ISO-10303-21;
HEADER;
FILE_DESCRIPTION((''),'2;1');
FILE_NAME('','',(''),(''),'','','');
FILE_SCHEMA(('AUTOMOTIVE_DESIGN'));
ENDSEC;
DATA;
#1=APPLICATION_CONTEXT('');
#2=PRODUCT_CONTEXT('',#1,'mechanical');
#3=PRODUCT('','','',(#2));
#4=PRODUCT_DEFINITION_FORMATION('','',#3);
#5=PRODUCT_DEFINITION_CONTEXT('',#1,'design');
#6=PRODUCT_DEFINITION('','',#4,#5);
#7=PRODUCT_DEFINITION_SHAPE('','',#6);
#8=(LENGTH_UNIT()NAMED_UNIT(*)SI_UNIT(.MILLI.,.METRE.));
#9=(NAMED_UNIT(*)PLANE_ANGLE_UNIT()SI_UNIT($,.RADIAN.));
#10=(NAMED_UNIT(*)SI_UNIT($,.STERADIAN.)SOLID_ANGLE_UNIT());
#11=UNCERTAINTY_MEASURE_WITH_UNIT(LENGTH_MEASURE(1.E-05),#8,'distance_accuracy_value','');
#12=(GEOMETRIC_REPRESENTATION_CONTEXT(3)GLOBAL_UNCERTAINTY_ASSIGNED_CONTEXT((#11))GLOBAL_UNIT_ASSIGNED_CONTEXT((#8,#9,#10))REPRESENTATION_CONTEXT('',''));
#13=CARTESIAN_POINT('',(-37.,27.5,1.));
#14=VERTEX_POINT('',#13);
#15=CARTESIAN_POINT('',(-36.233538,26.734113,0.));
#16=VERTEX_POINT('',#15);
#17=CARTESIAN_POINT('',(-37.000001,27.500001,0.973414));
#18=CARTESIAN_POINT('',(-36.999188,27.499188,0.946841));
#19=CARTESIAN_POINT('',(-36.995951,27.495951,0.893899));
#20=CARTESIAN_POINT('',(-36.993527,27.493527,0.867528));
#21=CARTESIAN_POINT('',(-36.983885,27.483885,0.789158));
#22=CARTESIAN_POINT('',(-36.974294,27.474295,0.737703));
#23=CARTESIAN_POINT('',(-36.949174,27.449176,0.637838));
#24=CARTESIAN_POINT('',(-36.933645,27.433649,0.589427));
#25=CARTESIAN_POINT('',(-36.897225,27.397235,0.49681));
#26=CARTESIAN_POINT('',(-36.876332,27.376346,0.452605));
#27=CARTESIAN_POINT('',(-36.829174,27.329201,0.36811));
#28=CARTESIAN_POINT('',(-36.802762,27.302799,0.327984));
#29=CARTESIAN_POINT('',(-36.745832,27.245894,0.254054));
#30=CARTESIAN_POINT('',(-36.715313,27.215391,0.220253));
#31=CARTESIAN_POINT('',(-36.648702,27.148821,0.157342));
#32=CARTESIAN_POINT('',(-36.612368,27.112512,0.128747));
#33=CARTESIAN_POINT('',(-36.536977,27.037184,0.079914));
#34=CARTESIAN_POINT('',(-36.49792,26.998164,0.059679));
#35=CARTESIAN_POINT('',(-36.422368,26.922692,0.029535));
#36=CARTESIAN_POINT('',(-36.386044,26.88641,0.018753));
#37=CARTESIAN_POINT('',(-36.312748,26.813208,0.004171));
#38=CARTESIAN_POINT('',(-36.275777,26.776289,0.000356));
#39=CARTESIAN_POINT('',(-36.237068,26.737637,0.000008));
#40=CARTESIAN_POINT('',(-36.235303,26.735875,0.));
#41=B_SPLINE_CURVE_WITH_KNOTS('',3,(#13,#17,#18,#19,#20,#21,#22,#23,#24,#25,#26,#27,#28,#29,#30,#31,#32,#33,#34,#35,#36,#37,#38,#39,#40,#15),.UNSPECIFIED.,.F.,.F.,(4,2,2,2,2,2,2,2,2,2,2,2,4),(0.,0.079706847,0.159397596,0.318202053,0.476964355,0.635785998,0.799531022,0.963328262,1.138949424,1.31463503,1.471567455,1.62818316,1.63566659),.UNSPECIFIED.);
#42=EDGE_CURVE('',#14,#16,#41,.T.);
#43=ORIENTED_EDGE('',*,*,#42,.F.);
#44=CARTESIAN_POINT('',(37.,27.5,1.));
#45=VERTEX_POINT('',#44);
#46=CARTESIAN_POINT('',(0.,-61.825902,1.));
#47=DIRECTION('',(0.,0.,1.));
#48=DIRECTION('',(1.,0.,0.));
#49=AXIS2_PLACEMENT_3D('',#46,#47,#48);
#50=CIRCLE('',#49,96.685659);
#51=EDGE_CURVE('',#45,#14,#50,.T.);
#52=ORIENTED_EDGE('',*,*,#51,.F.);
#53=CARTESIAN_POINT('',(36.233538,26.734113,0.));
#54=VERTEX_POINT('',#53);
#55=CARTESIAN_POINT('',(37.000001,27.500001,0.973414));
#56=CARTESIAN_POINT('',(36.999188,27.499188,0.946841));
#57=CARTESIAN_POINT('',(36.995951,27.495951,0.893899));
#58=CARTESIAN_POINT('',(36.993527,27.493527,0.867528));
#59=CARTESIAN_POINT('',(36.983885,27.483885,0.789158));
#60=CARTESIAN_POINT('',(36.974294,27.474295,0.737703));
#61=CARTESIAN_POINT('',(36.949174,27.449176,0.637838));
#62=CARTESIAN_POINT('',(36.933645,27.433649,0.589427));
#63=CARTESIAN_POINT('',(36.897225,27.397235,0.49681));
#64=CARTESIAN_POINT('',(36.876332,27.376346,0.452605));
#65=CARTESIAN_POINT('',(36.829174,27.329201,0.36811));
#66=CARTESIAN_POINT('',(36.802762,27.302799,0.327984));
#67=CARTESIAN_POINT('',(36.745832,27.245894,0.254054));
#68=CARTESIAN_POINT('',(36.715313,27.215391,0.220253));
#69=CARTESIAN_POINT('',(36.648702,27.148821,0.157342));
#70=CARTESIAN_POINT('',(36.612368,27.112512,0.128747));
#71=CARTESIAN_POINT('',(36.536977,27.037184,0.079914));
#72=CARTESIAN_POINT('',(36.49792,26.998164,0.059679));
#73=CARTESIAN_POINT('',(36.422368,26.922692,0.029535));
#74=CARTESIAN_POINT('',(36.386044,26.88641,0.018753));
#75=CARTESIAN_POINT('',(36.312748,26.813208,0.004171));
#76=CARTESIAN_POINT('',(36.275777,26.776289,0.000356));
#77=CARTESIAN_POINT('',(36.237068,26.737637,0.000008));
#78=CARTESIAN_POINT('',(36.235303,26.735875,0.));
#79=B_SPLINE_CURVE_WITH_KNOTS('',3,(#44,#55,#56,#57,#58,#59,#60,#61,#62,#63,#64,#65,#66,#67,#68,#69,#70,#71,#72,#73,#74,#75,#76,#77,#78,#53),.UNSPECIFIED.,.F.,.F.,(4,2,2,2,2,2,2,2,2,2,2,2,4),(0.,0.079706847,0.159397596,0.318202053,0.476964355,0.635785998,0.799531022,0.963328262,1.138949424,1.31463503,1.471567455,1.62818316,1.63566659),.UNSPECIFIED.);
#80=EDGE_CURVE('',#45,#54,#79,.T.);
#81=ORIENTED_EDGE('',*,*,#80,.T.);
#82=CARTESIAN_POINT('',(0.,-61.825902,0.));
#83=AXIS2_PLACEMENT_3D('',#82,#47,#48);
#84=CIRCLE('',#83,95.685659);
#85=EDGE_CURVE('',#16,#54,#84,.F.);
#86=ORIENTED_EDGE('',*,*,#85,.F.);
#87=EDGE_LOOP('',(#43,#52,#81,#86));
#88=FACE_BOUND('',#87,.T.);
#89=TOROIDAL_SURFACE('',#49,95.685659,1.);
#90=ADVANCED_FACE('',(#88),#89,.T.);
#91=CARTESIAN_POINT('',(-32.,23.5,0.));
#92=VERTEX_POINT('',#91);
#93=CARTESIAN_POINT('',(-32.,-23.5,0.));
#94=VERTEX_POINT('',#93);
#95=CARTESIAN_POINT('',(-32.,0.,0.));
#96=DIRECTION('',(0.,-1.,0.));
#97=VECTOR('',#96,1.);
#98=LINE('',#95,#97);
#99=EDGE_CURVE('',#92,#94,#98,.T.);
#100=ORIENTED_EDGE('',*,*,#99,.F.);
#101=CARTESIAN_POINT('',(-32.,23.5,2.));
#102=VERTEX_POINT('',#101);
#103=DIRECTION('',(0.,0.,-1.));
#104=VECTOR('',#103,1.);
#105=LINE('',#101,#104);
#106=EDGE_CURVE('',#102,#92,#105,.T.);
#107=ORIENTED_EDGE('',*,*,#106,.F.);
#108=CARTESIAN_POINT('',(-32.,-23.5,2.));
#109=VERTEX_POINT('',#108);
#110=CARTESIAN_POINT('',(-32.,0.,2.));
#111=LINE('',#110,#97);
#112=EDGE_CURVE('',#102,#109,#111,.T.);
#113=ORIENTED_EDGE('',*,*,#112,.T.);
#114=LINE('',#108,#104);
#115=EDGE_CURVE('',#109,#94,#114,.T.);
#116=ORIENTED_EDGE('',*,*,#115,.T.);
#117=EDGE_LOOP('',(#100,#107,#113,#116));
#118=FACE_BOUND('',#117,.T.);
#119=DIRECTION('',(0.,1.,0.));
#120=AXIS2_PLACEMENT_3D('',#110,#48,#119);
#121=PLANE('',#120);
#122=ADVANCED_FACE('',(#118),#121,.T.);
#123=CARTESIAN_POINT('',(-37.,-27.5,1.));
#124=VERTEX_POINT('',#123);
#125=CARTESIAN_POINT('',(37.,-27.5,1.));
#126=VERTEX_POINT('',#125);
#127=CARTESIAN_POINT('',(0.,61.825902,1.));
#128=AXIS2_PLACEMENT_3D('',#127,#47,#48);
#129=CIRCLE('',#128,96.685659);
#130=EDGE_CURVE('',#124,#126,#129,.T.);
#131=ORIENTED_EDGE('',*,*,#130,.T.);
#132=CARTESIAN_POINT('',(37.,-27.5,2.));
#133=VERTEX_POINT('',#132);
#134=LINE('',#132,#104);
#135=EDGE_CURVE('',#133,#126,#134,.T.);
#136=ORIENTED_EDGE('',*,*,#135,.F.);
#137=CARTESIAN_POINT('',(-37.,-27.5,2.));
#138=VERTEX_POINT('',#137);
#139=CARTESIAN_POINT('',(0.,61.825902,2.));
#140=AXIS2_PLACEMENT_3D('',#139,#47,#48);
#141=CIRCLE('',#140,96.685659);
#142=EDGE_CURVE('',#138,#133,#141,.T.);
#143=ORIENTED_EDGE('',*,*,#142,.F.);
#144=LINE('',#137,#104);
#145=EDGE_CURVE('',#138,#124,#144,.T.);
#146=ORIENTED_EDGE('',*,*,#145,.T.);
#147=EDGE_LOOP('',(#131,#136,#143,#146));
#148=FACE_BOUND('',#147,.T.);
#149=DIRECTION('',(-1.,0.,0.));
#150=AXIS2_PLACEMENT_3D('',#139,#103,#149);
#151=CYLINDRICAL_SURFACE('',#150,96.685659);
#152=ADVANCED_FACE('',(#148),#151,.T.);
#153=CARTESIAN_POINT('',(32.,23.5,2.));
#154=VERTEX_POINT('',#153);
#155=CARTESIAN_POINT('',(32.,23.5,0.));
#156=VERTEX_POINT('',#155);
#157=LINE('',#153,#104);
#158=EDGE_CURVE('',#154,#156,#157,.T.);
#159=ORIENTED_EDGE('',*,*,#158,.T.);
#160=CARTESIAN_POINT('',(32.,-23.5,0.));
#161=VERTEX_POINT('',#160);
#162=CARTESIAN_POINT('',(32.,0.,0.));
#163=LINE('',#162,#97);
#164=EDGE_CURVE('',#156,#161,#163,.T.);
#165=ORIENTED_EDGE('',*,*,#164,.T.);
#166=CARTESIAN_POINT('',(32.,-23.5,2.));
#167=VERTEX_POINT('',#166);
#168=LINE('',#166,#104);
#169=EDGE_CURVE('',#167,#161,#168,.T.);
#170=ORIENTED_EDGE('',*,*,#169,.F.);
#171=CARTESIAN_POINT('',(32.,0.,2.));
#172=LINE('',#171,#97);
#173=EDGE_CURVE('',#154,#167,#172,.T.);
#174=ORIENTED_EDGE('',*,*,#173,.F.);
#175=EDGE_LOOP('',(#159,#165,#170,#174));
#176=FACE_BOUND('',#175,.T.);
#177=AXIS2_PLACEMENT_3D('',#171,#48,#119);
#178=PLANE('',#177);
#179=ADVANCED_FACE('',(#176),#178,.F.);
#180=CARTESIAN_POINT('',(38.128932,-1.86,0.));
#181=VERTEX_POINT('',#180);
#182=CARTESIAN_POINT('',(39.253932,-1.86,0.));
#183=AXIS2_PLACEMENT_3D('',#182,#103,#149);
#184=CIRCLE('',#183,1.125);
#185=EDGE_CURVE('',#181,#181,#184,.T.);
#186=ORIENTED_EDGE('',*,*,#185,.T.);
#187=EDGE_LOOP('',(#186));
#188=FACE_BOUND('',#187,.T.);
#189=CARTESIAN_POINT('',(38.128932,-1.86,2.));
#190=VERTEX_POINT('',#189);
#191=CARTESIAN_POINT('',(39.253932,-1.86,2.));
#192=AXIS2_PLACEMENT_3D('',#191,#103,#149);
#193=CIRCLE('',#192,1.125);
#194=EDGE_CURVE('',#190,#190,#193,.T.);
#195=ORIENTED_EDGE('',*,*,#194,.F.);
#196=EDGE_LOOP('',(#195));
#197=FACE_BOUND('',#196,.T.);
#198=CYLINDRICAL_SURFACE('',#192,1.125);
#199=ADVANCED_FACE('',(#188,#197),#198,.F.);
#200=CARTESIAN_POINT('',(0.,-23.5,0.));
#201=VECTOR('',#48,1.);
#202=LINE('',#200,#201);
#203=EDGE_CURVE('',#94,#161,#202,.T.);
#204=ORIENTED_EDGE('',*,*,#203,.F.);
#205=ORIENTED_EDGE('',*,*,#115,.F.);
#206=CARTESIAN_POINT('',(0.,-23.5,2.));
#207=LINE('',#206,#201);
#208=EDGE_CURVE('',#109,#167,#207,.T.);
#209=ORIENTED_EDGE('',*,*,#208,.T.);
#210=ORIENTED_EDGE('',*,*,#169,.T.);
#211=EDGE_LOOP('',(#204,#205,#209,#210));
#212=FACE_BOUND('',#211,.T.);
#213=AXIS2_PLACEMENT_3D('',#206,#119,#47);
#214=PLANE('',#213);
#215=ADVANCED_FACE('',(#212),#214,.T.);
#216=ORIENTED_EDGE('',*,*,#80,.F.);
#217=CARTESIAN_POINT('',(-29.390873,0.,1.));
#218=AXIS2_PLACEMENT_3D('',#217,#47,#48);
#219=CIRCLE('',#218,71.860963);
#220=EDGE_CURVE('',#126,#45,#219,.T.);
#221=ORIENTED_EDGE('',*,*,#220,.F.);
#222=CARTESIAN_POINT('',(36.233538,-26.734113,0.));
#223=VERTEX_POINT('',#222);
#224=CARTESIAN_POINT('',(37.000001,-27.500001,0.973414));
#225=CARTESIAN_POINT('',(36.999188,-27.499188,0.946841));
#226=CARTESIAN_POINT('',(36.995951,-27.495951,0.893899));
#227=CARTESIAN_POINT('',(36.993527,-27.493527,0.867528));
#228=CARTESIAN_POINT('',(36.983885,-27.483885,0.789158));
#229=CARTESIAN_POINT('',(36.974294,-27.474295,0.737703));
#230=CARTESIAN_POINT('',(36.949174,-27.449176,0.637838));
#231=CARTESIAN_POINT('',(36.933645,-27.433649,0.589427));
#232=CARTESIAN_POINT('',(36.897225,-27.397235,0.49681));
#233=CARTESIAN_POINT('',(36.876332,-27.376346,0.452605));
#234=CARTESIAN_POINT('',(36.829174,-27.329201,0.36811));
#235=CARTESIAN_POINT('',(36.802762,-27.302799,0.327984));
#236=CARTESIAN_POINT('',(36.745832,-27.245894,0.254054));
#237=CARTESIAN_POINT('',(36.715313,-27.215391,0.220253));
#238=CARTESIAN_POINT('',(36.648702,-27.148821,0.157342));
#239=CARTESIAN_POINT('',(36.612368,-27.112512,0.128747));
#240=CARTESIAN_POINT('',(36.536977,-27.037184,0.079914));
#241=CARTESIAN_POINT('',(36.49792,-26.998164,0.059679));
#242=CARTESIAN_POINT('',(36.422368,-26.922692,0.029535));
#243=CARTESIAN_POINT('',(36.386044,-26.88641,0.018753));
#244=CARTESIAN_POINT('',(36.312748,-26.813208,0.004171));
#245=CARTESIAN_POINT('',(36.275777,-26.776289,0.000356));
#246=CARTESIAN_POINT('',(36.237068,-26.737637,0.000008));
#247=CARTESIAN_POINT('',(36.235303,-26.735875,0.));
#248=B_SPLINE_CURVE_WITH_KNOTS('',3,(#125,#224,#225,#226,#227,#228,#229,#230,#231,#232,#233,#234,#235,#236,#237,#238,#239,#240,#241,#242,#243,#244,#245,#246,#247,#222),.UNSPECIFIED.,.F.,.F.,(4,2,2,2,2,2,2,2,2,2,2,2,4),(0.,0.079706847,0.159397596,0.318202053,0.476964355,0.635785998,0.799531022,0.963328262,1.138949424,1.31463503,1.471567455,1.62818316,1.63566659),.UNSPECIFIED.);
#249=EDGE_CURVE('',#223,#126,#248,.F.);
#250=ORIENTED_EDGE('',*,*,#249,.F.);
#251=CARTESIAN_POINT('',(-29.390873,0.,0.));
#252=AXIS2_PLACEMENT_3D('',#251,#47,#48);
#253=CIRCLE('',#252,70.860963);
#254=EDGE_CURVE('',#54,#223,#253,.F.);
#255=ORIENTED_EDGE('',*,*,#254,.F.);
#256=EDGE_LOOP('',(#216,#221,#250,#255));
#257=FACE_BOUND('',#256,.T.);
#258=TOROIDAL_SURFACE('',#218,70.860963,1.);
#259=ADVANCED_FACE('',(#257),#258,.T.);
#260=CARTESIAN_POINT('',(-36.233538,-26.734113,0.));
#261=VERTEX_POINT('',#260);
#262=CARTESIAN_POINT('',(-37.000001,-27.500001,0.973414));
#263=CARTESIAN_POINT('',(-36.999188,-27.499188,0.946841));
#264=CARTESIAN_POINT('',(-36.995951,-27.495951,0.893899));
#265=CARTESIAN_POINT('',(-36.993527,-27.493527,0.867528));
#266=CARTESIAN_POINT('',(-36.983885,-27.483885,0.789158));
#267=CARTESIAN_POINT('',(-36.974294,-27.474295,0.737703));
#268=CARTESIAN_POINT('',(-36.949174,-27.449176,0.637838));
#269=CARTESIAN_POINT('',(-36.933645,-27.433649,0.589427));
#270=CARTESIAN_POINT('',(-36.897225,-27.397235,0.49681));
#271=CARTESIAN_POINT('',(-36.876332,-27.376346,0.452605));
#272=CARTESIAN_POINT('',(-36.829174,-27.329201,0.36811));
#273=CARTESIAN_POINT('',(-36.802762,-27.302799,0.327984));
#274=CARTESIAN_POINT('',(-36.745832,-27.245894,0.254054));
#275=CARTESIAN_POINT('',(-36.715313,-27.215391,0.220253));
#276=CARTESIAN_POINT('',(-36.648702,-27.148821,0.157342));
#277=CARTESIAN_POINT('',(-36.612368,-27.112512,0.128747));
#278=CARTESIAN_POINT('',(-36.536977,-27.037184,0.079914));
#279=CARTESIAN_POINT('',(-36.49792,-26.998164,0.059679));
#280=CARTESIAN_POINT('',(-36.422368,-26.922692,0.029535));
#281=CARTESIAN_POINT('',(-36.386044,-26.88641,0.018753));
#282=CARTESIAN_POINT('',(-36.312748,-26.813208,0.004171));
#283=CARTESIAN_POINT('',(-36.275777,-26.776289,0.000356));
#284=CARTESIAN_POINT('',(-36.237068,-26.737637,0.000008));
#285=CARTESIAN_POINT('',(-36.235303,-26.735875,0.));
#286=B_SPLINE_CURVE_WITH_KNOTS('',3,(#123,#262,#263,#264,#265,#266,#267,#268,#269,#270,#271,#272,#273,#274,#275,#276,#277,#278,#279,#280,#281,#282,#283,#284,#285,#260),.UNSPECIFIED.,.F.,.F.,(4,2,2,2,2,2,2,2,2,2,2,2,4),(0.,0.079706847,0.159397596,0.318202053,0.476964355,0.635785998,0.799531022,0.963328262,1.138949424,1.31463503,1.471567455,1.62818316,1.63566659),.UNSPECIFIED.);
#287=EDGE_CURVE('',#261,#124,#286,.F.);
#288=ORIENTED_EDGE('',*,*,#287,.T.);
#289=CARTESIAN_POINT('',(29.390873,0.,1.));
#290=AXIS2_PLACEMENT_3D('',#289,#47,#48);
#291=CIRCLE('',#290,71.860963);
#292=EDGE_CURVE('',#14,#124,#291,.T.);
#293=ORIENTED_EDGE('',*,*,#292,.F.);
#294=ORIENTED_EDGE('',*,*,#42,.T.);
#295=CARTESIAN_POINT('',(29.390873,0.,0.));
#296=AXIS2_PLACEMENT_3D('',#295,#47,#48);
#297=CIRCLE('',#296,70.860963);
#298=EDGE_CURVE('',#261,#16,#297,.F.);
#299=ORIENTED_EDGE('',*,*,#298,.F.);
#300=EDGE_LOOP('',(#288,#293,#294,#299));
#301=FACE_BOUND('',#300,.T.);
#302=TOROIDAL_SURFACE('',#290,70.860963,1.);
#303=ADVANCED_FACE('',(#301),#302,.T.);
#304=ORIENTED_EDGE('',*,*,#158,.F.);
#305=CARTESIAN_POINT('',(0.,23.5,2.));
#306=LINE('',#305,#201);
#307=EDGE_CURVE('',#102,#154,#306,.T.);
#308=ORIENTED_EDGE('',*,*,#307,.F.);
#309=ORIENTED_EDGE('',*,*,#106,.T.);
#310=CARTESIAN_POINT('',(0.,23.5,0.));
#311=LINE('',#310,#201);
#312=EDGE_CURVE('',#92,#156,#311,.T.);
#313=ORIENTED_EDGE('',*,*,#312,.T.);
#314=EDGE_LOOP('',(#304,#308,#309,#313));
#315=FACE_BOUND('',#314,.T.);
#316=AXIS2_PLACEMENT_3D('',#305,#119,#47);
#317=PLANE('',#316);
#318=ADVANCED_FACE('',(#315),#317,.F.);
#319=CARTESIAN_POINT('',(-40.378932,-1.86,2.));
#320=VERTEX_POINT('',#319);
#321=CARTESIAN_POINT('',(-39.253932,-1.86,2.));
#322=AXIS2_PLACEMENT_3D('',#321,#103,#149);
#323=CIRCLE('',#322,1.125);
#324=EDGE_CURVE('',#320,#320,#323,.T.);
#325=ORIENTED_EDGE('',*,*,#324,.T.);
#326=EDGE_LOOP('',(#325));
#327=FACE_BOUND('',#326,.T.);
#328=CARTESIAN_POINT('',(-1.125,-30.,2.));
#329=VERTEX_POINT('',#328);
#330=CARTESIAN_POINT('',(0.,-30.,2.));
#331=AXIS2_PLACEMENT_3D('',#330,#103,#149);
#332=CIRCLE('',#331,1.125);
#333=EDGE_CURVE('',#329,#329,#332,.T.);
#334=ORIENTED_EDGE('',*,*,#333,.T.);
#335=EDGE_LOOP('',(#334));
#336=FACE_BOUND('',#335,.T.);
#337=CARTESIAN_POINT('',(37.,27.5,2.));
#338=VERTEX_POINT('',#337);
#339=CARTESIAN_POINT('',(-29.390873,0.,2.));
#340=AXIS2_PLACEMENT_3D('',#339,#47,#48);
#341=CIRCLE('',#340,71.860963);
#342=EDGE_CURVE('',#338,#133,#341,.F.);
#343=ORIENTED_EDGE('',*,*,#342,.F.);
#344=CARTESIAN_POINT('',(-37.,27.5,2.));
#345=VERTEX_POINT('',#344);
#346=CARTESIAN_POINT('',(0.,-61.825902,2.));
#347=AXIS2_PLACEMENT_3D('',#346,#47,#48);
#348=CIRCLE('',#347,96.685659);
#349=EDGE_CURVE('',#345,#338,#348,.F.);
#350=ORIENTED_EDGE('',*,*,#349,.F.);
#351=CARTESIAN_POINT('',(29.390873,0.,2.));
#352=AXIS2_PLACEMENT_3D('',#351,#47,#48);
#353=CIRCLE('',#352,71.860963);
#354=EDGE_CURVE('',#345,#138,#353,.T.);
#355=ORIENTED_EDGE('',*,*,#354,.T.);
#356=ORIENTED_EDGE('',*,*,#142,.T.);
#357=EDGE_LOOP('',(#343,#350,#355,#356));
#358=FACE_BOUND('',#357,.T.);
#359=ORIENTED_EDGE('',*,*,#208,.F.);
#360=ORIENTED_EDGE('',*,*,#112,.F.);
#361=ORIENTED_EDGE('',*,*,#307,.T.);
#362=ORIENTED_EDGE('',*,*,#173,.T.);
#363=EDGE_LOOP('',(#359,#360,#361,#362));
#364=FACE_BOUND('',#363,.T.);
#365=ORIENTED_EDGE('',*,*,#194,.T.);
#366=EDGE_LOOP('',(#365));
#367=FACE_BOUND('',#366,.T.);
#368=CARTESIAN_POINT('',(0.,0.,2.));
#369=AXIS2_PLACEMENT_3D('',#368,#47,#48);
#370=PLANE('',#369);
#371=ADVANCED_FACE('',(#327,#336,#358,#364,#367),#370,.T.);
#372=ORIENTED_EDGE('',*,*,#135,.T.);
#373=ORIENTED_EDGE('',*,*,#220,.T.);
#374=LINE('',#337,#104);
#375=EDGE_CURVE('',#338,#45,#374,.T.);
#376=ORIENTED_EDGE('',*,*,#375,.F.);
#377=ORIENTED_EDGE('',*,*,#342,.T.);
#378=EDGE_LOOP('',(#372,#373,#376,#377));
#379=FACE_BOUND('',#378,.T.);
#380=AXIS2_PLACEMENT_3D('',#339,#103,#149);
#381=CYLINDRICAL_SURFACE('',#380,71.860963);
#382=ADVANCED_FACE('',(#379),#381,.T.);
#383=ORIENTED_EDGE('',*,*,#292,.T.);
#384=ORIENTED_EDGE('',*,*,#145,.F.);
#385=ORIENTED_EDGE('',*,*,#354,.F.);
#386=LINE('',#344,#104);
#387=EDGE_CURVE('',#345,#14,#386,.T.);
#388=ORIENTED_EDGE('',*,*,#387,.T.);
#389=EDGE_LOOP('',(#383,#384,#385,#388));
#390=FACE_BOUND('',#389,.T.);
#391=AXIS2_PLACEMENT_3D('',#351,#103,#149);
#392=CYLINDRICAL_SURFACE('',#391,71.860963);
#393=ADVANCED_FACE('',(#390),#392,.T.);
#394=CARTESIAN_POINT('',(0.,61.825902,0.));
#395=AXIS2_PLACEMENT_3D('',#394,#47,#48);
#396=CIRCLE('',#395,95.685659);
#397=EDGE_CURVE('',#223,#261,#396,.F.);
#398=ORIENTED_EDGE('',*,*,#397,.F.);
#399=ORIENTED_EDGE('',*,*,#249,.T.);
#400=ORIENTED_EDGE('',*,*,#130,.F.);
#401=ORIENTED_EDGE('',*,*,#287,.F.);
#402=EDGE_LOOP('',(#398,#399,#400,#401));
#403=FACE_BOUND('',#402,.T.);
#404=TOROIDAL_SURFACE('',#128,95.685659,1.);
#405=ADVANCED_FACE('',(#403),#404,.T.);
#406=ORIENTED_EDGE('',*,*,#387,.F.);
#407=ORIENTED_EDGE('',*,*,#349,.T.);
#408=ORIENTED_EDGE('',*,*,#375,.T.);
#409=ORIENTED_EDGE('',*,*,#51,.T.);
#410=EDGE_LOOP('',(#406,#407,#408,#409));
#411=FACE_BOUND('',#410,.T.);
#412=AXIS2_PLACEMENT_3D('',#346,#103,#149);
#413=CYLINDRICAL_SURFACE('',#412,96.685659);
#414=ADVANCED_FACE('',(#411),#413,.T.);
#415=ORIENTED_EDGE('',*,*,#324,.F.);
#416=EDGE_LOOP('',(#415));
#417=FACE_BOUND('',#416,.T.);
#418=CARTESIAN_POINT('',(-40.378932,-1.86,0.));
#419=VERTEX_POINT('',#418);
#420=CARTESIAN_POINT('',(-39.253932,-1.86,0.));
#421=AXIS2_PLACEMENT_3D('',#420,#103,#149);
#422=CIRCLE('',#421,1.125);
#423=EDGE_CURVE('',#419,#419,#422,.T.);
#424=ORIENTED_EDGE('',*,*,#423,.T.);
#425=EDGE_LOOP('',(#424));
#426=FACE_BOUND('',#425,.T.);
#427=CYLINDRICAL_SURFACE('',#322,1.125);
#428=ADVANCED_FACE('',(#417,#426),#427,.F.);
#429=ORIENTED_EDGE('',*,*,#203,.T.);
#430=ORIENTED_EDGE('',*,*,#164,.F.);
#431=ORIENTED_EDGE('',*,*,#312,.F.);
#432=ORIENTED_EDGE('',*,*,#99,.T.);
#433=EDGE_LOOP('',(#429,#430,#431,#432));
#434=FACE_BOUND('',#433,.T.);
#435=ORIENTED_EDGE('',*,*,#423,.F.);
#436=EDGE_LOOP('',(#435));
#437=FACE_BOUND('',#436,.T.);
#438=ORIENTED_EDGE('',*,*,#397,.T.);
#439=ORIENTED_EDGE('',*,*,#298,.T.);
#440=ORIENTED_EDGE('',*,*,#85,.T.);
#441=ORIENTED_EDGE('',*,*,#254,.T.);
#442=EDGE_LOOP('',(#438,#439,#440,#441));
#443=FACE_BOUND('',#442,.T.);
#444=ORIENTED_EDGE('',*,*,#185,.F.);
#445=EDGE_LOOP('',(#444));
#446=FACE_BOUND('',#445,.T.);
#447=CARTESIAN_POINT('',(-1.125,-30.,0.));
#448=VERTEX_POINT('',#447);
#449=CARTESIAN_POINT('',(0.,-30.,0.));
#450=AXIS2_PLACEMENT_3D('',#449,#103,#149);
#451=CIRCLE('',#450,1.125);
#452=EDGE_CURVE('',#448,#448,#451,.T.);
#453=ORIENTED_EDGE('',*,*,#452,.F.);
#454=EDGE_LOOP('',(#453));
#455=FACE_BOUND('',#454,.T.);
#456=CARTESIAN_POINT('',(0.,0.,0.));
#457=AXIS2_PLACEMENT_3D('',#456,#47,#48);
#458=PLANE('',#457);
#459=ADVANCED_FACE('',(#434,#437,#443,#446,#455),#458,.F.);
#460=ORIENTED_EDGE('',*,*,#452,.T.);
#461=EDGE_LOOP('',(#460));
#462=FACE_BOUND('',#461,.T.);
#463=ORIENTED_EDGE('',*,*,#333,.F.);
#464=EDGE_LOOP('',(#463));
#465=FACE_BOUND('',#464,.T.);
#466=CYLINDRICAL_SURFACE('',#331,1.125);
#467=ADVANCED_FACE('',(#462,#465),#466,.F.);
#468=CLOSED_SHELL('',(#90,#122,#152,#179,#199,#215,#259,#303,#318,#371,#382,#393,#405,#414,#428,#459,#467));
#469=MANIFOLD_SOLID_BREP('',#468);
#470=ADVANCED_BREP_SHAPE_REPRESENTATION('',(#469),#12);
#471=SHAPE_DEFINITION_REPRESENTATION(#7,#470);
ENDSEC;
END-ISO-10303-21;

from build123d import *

# Parameters (mm, degrees)
SKETCH1_W           = 64
SKETCH1_H           = 47
BOSS_EXTRUDE1_DEPTH = 2
FILLET1_R           = 1
SKETCH2_R           = 1.125
CUT_EXTRUDE1_DEPTH  = 55.981008251


with BuildPart() as part:
    # Sketch1 → Boss-Extrude1 (new body)
    # profile 1 of 2: a face of its own
    with BuildSketch(Plane.XY):
        with BuildLine():
            ThreePointArc((37, 27.5), (42.470090103, 0), (37, -27.5))
            ThreePointArc((37, -27.5), (0, -34.859757593), (-37, -27.5))
            ThreePointArc((-37, -27.5), (-42.470090103, 0), (-37, 27.5))
            ThreePointArc((-37, 27.5), (0, 34.859757593), (37, 27.5))
        make_face()
        with BuildLine():
            ThreePointArc((36, -25.5), (40.468092327, 0), (36, 25.5))
            ThreePointArc((36, 25.5), (0, 32.351769079), (-36, 25.5))
            ThreePointArc((-36, 25.5), (-40.468092327, 0), (-36, -25.5))
            ThreePointArc((-36, -25.5), (0, -32.351769079), (36, -25.5))
        make_face(mode=Mode.SUBTRACT)
    # profile 2 of 2: a face of its own
    with BuildSketch(Plane.XY):
        with BuildLine():
            ThreePointArc((36, -25.5), (0, -32.351769079), (-36, -25.5))
            ThreePointArc((-36, -25.5), (-40.468092327, 0), (-36, 25.5))
            ThreePointArc((-36, 25.5), (0, 32.351769079), (36, 25.5))
            ThreePointArc((36, 25.5), (40.468092327, 0), (36, -25.5))
        make_face()
        Rectangle(SKETCH1_W, SKETCH1_H, mode=Mode.SUBTRACT)
    extrude(amount=BOSS_EXTRUDE1_DEPTH)

    # Fillet1
    fillet1_edges = [part.edges().sort_by_distance(p)[0] for p in [
        (-42.470090103, 0, 0),
        (0, -34.859757593, 0),
        (0, 34.859757593, 0),
        (42.470090103, 0, 0),
    ]]
    fillet(fillet1_edges, radius=FILLET1_R)

    # Sketch2 → Cut-Extrude1 (cut, through all)
    with BuildSketch(Plane(origin=(0, 0, 0), x_dir=(-1, 0, 0), z_dir=(0, 0, -1))):
        with Locations((-39.253932374, -1.86)):
            Circle(SKETCH2_R)
        with Locations((0, -30)):
            Circle(SKETCH2_R)
        with Locations((39.253932374, -1.86)):
            Circle(SKETCH2_R)
    extrude(amount=-CUT_EXTRUDE1_DEPTH, mode=Mode.SUBTRACT)


solid = part.part
